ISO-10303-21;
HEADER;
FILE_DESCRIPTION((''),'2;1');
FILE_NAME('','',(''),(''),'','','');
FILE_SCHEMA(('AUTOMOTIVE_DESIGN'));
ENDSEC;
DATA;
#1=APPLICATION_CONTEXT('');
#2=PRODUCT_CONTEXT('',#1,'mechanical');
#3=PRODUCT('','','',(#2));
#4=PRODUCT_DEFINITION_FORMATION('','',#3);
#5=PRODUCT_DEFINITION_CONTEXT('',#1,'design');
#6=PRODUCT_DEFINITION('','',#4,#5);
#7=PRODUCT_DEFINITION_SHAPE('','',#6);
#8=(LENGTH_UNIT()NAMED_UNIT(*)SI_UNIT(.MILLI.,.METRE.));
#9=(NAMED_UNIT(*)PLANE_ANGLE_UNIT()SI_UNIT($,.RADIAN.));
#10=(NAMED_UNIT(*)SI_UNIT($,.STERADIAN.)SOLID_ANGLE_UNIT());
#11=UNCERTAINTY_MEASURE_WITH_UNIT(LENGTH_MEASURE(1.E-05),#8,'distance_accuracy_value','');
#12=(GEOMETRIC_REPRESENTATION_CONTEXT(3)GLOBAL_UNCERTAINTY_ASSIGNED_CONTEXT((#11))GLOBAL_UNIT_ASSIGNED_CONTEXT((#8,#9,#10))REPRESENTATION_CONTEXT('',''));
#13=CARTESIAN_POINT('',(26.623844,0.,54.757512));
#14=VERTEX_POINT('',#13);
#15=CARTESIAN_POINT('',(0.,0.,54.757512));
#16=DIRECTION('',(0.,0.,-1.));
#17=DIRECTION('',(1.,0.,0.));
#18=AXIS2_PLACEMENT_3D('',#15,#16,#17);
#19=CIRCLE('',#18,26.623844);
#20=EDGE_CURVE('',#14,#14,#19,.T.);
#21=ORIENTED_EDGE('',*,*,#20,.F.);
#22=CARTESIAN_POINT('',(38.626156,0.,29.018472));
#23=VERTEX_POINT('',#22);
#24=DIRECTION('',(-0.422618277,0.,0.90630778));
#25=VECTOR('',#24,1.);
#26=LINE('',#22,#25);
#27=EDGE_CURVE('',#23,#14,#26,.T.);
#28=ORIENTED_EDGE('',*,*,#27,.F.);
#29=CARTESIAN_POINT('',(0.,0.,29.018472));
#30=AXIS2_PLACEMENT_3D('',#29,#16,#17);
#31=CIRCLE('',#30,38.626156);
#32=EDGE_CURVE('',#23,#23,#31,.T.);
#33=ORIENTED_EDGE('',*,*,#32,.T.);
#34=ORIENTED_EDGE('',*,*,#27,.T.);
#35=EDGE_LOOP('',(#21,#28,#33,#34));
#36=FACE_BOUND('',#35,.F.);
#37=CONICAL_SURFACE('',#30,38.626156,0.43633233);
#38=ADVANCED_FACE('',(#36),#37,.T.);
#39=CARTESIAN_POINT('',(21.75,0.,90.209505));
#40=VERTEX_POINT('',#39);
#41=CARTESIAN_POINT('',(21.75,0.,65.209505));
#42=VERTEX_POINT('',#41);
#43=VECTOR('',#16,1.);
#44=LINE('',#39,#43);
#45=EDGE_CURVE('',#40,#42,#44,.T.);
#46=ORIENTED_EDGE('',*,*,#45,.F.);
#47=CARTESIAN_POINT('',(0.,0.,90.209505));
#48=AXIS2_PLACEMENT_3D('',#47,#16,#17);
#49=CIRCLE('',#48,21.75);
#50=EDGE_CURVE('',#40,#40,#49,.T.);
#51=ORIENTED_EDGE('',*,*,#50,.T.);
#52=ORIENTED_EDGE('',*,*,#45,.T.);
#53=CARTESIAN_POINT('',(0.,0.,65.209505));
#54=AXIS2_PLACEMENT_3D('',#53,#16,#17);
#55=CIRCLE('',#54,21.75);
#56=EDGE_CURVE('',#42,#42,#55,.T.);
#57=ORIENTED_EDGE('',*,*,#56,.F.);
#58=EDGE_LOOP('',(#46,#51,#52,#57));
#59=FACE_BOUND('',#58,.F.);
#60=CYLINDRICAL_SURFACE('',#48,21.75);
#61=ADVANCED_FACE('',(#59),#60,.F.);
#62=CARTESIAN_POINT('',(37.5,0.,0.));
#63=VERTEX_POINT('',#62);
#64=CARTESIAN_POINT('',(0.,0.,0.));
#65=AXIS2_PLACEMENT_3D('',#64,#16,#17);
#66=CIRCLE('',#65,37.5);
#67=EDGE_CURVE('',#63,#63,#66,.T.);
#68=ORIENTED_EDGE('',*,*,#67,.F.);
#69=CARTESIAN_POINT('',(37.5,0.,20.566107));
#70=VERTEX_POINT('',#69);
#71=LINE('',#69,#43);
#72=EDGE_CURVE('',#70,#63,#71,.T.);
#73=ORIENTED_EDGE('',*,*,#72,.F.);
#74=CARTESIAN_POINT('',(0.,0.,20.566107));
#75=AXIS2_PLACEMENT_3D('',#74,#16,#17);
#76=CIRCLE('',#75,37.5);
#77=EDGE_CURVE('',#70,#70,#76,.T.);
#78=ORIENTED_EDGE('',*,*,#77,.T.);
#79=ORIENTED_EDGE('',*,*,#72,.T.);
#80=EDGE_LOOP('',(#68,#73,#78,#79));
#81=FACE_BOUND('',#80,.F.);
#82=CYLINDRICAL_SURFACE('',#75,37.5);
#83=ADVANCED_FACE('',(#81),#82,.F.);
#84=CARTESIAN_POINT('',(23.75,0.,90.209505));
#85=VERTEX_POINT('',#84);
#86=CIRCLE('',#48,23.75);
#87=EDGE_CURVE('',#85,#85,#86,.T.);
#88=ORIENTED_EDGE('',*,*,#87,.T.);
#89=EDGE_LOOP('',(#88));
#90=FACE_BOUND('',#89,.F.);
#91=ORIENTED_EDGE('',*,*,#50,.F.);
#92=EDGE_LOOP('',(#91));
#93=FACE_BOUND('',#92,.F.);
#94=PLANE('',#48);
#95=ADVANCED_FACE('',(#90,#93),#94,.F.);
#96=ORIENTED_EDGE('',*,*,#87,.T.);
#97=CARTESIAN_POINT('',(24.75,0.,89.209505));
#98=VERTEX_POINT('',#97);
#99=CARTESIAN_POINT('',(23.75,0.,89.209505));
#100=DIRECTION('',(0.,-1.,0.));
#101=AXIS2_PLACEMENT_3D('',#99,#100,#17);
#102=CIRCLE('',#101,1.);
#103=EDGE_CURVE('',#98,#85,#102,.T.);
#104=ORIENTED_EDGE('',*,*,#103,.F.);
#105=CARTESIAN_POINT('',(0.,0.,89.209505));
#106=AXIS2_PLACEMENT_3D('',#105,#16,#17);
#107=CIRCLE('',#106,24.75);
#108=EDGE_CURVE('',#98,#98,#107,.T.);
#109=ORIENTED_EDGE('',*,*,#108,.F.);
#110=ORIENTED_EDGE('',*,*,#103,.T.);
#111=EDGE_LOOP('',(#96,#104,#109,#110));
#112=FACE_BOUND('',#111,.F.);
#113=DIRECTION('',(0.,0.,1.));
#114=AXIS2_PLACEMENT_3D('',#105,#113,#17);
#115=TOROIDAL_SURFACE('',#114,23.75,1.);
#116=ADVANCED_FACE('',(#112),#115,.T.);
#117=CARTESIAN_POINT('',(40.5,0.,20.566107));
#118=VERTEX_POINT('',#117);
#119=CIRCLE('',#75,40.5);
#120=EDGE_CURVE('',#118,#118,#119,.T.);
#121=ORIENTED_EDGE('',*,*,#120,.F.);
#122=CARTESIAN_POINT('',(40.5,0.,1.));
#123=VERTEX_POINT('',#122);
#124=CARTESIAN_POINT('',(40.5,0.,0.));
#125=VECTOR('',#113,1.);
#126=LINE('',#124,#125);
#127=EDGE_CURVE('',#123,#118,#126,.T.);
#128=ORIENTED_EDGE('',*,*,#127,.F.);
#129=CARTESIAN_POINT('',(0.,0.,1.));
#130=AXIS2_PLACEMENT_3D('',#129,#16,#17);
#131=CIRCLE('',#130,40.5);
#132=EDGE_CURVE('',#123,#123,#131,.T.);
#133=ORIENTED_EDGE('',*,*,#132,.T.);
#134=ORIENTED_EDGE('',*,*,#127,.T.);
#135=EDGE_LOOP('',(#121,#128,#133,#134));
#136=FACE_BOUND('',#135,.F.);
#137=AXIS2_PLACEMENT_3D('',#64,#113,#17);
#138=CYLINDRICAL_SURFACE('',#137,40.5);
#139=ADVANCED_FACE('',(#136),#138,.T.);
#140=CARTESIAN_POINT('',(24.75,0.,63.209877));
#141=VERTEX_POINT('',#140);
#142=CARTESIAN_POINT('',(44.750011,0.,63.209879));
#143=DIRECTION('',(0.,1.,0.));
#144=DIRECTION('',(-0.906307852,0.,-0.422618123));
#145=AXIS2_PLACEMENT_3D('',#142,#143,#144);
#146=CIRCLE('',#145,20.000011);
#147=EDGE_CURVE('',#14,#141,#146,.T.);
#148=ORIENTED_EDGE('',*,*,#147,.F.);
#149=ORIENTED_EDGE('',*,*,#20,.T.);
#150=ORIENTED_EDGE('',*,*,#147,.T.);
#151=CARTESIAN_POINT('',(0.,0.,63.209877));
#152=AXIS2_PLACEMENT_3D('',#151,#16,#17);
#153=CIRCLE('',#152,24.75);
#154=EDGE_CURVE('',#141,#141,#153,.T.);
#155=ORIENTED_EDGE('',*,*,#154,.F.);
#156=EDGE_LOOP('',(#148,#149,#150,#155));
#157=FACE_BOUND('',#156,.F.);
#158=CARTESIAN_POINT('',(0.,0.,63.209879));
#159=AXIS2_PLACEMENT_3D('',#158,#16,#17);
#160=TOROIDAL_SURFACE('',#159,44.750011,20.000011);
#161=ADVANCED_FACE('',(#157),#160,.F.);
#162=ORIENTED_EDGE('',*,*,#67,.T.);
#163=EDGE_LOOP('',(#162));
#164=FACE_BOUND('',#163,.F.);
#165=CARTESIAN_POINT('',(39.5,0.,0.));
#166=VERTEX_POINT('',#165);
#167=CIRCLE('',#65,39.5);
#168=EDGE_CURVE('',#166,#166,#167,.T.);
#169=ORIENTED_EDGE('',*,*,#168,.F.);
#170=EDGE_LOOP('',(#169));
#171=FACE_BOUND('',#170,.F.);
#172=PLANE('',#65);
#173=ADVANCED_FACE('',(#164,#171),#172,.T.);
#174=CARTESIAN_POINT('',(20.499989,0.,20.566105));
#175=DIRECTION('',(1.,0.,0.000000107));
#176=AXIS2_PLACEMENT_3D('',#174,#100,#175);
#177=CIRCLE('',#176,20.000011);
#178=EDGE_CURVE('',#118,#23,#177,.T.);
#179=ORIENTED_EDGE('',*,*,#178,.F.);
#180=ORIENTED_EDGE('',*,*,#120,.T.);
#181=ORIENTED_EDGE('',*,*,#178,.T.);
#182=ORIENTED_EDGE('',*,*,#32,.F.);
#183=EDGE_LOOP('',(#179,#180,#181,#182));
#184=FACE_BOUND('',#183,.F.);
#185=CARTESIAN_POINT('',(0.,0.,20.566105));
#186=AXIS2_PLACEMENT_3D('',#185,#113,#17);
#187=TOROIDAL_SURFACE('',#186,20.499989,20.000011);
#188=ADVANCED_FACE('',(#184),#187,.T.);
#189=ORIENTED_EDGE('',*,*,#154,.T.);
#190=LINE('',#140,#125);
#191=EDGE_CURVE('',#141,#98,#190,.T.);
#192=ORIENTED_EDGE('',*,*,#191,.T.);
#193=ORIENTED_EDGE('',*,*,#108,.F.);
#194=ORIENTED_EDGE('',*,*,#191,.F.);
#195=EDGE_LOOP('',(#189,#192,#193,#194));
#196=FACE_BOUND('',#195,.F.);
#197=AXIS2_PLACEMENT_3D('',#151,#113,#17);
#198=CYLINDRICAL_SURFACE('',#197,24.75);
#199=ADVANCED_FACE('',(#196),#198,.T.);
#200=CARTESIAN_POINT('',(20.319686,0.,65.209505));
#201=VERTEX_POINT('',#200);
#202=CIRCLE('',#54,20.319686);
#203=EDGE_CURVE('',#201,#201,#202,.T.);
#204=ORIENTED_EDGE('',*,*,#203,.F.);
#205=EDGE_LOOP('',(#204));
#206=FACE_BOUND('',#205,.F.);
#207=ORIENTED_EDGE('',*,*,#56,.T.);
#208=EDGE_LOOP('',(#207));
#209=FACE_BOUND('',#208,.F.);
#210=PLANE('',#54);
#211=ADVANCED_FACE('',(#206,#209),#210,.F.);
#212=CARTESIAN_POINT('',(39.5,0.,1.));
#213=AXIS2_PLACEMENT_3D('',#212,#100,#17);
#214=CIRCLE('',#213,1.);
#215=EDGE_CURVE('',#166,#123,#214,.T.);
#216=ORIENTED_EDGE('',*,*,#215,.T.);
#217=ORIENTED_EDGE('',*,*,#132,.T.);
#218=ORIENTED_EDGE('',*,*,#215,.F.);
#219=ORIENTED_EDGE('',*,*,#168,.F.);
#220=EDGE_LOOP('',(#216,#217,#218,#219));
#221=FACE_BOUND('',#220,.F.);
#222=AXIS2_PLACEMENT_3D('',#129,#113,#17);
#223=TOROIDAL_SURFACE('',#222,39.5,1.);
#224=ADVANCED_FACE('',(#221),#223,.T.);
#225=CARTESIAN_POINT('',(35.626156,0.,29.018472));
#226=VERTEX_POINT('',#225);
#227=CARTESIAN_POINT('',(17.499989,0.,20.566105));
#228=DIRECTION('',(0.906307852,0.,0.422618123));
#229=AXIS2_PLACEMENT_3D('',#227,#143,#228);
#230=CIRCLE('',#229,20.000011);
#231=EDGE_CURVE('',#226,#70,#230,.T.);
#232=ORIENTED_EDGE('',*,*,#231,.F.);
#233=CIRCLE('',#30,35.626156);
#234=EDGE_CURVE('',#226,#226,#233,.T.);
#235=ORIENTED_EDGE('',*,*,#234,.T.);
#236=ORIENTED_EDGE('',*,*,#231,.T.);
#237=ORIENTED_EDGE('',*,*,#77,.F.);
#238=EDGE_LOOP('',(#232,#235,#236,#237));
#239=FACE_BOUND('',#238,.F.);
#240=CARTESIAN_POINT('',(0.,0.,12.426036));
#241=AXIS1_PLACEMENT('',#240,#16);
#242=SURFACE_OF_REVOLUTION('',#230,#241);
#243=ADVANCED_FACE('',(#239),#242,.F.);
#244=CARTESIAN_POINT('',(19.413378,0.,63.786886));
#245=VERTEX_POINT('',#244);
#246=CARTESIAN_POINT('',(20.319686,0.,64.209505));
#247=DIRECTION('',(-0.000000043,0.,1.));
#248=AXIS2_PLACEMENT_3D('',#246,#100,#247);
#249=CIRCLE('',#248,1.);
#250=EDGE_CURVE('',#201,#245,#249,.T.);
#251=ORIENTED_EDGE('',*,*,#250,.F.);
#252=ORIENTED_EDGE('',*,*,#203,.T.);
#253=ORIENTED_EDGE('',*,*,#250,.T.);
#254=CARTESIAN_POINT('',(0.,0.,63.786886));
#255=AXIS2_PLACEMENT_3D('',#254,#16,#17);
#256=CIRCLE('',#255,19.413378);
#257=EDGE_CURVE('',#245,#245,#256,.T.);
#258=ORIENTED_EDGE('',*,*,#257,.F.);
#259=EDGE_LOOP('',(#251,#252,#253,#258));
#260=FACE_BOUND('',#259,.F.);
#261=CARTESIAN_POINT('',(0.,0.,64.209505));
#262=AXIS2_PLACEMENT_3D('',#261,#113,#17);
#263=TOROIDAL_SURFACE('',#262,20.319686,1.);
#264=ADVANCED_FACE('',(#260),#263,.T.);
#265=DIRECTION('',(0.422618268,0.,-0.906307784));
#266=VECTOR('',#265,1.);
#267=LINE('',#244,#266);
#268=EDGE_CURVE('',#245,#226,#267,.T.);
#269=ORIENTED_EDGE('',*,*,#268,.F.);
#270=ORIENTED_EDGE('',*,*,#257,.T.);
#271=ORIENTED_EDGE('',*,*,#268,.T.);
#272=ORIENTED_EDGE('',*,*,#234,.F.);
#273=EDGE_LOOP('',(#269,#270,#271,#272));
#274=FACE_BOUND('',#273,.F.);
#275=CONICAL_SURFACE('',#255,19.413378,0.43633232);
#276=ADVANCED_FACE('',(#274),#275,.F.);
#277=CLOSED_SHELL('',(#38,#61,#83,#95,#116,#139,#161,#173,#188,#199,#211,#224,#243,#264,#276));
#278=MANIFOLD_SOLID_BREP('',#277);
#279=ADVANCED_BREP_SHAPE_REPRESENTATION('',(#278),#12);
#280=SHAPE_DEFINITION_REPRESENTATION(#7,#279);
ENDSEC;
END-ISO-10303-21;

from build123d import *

# Parameters (mm, degrees)
F2_R = 1


with BuildPart() as f1:
    # F0 (on Front) → F1 (revolve)
    with BuildSketch(Plane.XZ):
        with BuildLine():
            Line((37.5, 20.566107), (37.5, 0))
            Line((37.5, 0), (40.5, 0))
            Line((40.5, 0), (40.5, 20.566107))
            ThreePointArc((40.5, 20.566107), (40.02592, 24.894899), (38.626156, 29.018472))
            Line((38.626156, 29.018472), (26.623844, 54.757512))
            ThreePointArc((26.623844, 54.757512), (25.22408, 58.881085), (24.75, 63.209877))
            Line((24.75, 63.209877), (24.75, 90.209505))
            Line((24.75, 90.209505), (21.75, 90.209505))
            Line((21.75, 90.209505), (21.75, 65.209505))
            Line((21.75, 65.209505), (20.319686, 65.209505))
            ThreePointArc((20.319686, 65.209505), (19.476294, 64.746804), (19.413378, 63.786886))
            Line((19.413378, 63.786886), (35.626156, 29.018472))
            ThreePointArc((35.626156, 29.018472), (37.02592, 24.894899), (37.5, 20.566107))
        make_face()
    revolve(axis=Axis((0, 0, 12.426036), (0, 0, -1)))

    # F2
    f2_edges = [f1.edges().sort_by_distance(p)[0] for p in [
        (-40.5, 0, 0),
        (-24.75, 0, 90.209505),
    ]]
    fillet(f2_edges, radius=F2_R)


solid = f1.part
